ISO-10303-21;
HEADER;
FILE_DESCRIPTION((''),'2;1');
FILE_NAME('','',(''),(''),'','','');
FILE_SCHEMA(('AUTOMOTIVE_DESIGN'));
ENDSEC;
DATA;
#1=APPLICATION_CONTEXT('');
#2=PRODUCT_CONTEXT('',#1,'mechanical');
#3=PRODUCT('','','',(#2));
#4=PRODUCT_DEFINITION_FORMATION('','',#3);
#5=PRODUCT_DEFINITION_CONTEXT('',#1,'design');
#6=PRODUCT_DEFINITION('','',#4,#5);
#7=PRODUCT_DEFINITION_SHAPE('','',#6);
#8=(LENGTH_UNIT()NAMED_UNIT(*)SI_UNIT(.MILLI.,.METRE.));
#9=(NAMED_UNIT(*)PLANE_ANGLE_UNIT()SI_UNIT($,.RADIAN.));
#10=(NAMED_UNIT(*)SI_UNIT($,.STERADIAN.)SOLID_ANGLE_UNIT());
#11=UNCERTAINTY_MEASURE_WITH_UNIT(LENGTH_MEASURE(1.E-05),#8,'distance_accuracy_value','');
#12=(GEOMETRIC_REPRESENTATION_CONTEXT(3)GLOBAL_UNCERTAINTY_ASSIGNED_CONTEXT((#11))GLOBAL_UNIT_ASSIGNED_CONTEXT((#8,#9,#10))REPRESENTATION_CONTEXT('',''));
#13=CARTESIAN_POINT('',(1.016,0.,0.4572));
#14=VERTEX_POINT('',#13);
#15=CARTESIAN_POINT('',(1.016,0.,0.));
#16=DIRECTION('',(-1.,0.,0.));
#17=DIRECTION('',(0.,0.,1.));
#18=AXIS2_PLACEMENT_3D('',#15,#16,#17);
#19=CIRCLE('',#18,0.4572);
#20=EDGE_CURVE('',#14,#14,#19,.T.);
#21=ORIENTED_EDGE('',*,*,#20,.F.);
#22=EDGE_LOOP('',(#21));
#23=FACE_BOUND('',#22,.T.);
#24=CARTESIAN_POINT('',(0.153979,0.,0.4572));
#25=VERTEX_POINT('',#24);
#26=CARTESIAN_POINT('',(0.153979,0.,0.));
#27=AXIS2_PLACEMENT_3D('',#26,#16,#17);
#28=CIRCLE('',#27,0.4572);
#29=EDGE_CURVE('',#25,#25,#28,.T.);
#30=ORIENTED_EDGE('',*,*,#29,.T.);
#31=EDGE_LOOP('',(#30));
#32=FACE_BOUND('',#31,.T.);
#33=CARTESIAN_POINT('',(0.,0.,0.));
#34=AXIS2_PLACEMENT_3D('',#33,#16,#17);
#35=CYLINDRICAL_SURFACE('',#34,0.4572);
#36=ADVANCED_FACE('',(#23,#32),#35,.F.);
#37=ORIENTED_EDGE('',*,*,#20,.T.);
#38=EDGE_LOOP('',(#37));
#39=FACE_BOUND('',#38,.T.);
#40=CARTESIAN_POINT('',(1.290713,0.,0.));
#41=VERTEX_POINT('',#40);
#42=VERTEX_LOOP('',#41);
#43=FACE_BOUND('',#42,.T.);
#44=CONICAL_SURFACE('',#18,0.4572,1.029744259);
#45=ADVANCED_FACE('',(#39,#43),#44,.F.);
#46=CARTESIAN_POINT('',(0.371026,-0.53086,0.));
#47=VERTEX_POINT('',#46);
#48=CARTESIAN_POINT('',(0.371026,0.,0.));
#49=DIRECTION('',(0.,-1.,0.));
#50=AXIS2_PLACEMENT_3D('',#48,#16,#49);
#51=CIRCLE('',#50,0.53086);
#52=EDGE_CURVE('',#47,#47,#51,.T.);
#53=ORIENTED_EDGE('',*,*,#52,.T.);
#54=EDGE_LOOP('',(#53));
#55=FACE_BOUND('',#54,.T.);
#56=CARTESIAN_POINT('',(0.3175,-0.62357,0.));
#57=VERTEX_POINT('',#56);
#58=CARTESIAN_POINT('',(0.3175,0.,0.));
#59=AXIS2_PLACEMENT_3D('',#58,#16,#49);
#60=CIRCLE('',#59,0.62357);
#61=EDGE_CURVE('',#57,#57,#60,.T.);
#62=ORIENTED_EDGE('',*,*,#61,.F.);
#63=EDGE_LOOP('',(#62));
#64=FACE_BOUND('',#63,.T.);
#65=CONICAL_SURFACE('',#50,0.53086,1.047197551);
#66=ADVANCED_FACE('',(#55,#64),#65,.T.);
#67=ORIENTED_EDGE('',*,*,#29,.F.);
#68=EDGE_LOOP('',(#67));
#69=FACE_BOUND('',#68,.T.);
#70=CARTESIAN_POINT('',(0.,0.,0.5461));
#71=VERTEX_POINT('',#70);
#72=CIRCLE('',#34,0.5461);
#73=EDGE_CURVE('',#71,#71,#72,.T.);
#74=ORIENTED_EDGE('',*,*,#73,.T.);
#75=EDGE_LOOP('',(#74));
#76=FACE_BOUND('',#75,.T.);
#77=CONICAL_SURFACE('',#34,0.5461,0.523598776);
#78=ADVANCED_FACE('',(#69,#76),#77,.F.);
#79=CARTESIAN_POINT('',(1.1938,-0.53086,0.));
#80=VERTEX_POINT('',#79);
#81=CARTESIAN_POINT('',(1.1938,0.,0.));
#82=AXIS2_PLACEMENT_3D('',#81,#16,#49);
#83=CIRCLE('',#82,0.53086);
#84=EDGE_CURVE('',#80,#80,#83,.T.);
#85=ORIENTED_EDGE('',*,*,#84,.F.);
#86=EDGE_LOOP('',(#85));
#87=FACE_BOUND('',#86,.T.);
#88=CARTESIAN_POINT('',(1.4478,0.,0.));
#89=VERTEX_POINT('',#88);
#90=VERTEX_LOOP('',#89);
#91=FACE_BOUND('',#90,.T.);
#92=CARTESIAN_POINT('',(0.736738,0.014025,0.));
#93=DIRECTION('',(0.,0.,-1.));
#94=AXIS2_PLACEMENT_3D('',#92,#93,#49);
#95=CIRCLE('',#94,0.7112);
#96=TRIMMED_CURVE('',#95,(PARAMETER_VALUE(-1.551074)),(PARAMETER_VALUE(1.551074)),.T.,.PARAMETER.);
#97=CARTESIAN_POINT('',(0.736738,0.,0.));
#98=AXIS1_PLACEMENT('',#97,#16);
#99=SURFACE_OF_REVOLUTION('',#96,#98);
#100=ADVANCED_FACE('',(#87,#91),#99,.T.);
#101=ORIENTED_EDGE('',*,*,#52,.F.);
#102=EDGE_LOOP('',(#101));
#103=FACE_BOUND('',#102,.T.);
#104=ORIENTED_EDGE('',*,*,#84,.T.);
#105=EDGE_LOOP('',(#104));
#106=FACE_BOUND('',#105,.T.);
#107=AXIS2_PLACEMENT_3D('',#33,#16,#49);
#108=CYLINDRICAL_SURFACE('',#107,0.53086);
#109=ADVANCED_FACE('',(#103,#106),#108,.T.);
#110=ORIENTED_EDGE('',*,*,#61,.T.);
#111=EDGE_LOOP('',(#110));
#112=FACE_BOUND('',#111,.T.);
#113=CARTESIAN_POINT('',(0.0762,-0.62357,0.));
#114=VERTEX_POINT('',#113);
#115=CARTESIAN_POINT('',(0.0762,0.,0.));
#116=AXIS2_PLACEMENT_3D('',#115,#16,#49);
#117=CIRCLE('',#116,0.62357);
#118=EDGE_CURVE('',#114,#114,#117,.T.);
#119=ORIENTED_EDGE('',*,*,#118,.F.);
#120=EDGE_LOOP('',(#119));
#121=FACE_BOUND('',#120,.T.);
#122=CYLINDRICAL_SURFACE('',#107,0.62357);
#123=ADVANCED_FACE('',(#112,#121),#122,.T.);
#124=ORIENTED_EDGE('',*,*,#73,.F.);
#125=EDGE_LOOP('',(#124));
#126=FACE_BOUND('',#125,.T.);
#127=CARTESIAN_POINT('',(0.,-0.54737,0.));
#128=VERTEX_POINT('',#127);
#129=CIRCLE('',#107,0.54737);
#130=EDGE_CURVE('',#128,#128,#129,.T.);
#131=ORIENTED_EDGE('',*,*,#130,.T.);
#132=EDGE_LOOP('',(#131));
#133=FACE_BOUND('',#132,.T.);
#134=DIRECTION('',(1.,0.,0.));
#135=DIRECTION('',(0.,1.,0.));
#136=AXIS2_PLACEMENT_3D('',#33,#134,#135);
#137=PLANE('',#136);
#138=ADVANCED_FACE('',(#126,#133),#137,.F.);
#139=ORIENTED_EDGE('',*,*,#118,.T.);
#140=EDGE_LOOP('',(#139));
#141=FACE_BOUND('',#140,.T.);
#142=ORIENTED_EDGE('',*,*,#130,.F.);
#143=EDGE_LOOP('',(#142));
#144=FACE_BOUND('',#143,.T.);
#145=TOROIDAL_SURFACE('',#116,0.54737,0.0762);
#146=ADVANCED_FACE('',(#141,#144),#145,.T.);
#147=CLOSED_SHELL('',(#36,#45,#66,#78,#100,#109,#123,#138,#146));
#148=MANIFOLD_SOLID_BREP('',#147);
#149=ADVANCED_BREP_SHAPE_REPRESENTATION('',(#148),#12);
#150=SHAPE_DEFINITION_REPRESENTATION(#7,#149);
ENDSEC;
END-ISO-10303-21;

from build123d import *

# Parameters (mm, degrees)
HOLE1_D           = 0.9144
HOLE1_DEPTH       = 1.016
HOLE1_CSINK_D     = 1.0922
HOLE1_CSINK_ANGLE = 60
HOLE1_TIP         = 0.274713475


with BuildPart() as part:
    # Sketch1 → RevolutionAngle1 (revolve)
    with BuildSketch(Plane.XY):
        with BuildLine():
            Line((0, 0), (0, 0.54737))
            ThreePointArc((0, 0.54737), (0.022318463, 0.601251537), (0.0762, 0.62357))
            Line((0.0762, 0.62357), (0.3175, 0.62357))
            Line((0.3175, 0.62357), (0.371026143, 0.53086))
            Line((0.371026143, 0.53086), (1.1938, 0.53086))
            ThreePointArc((1.1938, 0.53086), (1.37828421, 0.292934407), (1.4478, 0))
            Line((1.4478, 0), (0, 0))
        make_face()
    revolve(axis=Axis((0, 0, 0), (1, 0, 0)))

    # Hole1
    with Locations(Plane.ZY):
        with Locations((0, 0)):
            CounterSinkHole(HOLE1_D / 2, HOLE1_CSINK_D / 2, depth=HOLE1_DEPTH, counter_sink_angle=HOLE1_CSINK_ANGLE)
            with Locations((0, 0, -(HOLE1_DEPTH + HOLE1_TIP / 2))):  # 118° drill point
                Cone(0, HOLE1_D / 2, HOLE1_TIP, mode=Mode.SUBTRACT)


solid = part.part
